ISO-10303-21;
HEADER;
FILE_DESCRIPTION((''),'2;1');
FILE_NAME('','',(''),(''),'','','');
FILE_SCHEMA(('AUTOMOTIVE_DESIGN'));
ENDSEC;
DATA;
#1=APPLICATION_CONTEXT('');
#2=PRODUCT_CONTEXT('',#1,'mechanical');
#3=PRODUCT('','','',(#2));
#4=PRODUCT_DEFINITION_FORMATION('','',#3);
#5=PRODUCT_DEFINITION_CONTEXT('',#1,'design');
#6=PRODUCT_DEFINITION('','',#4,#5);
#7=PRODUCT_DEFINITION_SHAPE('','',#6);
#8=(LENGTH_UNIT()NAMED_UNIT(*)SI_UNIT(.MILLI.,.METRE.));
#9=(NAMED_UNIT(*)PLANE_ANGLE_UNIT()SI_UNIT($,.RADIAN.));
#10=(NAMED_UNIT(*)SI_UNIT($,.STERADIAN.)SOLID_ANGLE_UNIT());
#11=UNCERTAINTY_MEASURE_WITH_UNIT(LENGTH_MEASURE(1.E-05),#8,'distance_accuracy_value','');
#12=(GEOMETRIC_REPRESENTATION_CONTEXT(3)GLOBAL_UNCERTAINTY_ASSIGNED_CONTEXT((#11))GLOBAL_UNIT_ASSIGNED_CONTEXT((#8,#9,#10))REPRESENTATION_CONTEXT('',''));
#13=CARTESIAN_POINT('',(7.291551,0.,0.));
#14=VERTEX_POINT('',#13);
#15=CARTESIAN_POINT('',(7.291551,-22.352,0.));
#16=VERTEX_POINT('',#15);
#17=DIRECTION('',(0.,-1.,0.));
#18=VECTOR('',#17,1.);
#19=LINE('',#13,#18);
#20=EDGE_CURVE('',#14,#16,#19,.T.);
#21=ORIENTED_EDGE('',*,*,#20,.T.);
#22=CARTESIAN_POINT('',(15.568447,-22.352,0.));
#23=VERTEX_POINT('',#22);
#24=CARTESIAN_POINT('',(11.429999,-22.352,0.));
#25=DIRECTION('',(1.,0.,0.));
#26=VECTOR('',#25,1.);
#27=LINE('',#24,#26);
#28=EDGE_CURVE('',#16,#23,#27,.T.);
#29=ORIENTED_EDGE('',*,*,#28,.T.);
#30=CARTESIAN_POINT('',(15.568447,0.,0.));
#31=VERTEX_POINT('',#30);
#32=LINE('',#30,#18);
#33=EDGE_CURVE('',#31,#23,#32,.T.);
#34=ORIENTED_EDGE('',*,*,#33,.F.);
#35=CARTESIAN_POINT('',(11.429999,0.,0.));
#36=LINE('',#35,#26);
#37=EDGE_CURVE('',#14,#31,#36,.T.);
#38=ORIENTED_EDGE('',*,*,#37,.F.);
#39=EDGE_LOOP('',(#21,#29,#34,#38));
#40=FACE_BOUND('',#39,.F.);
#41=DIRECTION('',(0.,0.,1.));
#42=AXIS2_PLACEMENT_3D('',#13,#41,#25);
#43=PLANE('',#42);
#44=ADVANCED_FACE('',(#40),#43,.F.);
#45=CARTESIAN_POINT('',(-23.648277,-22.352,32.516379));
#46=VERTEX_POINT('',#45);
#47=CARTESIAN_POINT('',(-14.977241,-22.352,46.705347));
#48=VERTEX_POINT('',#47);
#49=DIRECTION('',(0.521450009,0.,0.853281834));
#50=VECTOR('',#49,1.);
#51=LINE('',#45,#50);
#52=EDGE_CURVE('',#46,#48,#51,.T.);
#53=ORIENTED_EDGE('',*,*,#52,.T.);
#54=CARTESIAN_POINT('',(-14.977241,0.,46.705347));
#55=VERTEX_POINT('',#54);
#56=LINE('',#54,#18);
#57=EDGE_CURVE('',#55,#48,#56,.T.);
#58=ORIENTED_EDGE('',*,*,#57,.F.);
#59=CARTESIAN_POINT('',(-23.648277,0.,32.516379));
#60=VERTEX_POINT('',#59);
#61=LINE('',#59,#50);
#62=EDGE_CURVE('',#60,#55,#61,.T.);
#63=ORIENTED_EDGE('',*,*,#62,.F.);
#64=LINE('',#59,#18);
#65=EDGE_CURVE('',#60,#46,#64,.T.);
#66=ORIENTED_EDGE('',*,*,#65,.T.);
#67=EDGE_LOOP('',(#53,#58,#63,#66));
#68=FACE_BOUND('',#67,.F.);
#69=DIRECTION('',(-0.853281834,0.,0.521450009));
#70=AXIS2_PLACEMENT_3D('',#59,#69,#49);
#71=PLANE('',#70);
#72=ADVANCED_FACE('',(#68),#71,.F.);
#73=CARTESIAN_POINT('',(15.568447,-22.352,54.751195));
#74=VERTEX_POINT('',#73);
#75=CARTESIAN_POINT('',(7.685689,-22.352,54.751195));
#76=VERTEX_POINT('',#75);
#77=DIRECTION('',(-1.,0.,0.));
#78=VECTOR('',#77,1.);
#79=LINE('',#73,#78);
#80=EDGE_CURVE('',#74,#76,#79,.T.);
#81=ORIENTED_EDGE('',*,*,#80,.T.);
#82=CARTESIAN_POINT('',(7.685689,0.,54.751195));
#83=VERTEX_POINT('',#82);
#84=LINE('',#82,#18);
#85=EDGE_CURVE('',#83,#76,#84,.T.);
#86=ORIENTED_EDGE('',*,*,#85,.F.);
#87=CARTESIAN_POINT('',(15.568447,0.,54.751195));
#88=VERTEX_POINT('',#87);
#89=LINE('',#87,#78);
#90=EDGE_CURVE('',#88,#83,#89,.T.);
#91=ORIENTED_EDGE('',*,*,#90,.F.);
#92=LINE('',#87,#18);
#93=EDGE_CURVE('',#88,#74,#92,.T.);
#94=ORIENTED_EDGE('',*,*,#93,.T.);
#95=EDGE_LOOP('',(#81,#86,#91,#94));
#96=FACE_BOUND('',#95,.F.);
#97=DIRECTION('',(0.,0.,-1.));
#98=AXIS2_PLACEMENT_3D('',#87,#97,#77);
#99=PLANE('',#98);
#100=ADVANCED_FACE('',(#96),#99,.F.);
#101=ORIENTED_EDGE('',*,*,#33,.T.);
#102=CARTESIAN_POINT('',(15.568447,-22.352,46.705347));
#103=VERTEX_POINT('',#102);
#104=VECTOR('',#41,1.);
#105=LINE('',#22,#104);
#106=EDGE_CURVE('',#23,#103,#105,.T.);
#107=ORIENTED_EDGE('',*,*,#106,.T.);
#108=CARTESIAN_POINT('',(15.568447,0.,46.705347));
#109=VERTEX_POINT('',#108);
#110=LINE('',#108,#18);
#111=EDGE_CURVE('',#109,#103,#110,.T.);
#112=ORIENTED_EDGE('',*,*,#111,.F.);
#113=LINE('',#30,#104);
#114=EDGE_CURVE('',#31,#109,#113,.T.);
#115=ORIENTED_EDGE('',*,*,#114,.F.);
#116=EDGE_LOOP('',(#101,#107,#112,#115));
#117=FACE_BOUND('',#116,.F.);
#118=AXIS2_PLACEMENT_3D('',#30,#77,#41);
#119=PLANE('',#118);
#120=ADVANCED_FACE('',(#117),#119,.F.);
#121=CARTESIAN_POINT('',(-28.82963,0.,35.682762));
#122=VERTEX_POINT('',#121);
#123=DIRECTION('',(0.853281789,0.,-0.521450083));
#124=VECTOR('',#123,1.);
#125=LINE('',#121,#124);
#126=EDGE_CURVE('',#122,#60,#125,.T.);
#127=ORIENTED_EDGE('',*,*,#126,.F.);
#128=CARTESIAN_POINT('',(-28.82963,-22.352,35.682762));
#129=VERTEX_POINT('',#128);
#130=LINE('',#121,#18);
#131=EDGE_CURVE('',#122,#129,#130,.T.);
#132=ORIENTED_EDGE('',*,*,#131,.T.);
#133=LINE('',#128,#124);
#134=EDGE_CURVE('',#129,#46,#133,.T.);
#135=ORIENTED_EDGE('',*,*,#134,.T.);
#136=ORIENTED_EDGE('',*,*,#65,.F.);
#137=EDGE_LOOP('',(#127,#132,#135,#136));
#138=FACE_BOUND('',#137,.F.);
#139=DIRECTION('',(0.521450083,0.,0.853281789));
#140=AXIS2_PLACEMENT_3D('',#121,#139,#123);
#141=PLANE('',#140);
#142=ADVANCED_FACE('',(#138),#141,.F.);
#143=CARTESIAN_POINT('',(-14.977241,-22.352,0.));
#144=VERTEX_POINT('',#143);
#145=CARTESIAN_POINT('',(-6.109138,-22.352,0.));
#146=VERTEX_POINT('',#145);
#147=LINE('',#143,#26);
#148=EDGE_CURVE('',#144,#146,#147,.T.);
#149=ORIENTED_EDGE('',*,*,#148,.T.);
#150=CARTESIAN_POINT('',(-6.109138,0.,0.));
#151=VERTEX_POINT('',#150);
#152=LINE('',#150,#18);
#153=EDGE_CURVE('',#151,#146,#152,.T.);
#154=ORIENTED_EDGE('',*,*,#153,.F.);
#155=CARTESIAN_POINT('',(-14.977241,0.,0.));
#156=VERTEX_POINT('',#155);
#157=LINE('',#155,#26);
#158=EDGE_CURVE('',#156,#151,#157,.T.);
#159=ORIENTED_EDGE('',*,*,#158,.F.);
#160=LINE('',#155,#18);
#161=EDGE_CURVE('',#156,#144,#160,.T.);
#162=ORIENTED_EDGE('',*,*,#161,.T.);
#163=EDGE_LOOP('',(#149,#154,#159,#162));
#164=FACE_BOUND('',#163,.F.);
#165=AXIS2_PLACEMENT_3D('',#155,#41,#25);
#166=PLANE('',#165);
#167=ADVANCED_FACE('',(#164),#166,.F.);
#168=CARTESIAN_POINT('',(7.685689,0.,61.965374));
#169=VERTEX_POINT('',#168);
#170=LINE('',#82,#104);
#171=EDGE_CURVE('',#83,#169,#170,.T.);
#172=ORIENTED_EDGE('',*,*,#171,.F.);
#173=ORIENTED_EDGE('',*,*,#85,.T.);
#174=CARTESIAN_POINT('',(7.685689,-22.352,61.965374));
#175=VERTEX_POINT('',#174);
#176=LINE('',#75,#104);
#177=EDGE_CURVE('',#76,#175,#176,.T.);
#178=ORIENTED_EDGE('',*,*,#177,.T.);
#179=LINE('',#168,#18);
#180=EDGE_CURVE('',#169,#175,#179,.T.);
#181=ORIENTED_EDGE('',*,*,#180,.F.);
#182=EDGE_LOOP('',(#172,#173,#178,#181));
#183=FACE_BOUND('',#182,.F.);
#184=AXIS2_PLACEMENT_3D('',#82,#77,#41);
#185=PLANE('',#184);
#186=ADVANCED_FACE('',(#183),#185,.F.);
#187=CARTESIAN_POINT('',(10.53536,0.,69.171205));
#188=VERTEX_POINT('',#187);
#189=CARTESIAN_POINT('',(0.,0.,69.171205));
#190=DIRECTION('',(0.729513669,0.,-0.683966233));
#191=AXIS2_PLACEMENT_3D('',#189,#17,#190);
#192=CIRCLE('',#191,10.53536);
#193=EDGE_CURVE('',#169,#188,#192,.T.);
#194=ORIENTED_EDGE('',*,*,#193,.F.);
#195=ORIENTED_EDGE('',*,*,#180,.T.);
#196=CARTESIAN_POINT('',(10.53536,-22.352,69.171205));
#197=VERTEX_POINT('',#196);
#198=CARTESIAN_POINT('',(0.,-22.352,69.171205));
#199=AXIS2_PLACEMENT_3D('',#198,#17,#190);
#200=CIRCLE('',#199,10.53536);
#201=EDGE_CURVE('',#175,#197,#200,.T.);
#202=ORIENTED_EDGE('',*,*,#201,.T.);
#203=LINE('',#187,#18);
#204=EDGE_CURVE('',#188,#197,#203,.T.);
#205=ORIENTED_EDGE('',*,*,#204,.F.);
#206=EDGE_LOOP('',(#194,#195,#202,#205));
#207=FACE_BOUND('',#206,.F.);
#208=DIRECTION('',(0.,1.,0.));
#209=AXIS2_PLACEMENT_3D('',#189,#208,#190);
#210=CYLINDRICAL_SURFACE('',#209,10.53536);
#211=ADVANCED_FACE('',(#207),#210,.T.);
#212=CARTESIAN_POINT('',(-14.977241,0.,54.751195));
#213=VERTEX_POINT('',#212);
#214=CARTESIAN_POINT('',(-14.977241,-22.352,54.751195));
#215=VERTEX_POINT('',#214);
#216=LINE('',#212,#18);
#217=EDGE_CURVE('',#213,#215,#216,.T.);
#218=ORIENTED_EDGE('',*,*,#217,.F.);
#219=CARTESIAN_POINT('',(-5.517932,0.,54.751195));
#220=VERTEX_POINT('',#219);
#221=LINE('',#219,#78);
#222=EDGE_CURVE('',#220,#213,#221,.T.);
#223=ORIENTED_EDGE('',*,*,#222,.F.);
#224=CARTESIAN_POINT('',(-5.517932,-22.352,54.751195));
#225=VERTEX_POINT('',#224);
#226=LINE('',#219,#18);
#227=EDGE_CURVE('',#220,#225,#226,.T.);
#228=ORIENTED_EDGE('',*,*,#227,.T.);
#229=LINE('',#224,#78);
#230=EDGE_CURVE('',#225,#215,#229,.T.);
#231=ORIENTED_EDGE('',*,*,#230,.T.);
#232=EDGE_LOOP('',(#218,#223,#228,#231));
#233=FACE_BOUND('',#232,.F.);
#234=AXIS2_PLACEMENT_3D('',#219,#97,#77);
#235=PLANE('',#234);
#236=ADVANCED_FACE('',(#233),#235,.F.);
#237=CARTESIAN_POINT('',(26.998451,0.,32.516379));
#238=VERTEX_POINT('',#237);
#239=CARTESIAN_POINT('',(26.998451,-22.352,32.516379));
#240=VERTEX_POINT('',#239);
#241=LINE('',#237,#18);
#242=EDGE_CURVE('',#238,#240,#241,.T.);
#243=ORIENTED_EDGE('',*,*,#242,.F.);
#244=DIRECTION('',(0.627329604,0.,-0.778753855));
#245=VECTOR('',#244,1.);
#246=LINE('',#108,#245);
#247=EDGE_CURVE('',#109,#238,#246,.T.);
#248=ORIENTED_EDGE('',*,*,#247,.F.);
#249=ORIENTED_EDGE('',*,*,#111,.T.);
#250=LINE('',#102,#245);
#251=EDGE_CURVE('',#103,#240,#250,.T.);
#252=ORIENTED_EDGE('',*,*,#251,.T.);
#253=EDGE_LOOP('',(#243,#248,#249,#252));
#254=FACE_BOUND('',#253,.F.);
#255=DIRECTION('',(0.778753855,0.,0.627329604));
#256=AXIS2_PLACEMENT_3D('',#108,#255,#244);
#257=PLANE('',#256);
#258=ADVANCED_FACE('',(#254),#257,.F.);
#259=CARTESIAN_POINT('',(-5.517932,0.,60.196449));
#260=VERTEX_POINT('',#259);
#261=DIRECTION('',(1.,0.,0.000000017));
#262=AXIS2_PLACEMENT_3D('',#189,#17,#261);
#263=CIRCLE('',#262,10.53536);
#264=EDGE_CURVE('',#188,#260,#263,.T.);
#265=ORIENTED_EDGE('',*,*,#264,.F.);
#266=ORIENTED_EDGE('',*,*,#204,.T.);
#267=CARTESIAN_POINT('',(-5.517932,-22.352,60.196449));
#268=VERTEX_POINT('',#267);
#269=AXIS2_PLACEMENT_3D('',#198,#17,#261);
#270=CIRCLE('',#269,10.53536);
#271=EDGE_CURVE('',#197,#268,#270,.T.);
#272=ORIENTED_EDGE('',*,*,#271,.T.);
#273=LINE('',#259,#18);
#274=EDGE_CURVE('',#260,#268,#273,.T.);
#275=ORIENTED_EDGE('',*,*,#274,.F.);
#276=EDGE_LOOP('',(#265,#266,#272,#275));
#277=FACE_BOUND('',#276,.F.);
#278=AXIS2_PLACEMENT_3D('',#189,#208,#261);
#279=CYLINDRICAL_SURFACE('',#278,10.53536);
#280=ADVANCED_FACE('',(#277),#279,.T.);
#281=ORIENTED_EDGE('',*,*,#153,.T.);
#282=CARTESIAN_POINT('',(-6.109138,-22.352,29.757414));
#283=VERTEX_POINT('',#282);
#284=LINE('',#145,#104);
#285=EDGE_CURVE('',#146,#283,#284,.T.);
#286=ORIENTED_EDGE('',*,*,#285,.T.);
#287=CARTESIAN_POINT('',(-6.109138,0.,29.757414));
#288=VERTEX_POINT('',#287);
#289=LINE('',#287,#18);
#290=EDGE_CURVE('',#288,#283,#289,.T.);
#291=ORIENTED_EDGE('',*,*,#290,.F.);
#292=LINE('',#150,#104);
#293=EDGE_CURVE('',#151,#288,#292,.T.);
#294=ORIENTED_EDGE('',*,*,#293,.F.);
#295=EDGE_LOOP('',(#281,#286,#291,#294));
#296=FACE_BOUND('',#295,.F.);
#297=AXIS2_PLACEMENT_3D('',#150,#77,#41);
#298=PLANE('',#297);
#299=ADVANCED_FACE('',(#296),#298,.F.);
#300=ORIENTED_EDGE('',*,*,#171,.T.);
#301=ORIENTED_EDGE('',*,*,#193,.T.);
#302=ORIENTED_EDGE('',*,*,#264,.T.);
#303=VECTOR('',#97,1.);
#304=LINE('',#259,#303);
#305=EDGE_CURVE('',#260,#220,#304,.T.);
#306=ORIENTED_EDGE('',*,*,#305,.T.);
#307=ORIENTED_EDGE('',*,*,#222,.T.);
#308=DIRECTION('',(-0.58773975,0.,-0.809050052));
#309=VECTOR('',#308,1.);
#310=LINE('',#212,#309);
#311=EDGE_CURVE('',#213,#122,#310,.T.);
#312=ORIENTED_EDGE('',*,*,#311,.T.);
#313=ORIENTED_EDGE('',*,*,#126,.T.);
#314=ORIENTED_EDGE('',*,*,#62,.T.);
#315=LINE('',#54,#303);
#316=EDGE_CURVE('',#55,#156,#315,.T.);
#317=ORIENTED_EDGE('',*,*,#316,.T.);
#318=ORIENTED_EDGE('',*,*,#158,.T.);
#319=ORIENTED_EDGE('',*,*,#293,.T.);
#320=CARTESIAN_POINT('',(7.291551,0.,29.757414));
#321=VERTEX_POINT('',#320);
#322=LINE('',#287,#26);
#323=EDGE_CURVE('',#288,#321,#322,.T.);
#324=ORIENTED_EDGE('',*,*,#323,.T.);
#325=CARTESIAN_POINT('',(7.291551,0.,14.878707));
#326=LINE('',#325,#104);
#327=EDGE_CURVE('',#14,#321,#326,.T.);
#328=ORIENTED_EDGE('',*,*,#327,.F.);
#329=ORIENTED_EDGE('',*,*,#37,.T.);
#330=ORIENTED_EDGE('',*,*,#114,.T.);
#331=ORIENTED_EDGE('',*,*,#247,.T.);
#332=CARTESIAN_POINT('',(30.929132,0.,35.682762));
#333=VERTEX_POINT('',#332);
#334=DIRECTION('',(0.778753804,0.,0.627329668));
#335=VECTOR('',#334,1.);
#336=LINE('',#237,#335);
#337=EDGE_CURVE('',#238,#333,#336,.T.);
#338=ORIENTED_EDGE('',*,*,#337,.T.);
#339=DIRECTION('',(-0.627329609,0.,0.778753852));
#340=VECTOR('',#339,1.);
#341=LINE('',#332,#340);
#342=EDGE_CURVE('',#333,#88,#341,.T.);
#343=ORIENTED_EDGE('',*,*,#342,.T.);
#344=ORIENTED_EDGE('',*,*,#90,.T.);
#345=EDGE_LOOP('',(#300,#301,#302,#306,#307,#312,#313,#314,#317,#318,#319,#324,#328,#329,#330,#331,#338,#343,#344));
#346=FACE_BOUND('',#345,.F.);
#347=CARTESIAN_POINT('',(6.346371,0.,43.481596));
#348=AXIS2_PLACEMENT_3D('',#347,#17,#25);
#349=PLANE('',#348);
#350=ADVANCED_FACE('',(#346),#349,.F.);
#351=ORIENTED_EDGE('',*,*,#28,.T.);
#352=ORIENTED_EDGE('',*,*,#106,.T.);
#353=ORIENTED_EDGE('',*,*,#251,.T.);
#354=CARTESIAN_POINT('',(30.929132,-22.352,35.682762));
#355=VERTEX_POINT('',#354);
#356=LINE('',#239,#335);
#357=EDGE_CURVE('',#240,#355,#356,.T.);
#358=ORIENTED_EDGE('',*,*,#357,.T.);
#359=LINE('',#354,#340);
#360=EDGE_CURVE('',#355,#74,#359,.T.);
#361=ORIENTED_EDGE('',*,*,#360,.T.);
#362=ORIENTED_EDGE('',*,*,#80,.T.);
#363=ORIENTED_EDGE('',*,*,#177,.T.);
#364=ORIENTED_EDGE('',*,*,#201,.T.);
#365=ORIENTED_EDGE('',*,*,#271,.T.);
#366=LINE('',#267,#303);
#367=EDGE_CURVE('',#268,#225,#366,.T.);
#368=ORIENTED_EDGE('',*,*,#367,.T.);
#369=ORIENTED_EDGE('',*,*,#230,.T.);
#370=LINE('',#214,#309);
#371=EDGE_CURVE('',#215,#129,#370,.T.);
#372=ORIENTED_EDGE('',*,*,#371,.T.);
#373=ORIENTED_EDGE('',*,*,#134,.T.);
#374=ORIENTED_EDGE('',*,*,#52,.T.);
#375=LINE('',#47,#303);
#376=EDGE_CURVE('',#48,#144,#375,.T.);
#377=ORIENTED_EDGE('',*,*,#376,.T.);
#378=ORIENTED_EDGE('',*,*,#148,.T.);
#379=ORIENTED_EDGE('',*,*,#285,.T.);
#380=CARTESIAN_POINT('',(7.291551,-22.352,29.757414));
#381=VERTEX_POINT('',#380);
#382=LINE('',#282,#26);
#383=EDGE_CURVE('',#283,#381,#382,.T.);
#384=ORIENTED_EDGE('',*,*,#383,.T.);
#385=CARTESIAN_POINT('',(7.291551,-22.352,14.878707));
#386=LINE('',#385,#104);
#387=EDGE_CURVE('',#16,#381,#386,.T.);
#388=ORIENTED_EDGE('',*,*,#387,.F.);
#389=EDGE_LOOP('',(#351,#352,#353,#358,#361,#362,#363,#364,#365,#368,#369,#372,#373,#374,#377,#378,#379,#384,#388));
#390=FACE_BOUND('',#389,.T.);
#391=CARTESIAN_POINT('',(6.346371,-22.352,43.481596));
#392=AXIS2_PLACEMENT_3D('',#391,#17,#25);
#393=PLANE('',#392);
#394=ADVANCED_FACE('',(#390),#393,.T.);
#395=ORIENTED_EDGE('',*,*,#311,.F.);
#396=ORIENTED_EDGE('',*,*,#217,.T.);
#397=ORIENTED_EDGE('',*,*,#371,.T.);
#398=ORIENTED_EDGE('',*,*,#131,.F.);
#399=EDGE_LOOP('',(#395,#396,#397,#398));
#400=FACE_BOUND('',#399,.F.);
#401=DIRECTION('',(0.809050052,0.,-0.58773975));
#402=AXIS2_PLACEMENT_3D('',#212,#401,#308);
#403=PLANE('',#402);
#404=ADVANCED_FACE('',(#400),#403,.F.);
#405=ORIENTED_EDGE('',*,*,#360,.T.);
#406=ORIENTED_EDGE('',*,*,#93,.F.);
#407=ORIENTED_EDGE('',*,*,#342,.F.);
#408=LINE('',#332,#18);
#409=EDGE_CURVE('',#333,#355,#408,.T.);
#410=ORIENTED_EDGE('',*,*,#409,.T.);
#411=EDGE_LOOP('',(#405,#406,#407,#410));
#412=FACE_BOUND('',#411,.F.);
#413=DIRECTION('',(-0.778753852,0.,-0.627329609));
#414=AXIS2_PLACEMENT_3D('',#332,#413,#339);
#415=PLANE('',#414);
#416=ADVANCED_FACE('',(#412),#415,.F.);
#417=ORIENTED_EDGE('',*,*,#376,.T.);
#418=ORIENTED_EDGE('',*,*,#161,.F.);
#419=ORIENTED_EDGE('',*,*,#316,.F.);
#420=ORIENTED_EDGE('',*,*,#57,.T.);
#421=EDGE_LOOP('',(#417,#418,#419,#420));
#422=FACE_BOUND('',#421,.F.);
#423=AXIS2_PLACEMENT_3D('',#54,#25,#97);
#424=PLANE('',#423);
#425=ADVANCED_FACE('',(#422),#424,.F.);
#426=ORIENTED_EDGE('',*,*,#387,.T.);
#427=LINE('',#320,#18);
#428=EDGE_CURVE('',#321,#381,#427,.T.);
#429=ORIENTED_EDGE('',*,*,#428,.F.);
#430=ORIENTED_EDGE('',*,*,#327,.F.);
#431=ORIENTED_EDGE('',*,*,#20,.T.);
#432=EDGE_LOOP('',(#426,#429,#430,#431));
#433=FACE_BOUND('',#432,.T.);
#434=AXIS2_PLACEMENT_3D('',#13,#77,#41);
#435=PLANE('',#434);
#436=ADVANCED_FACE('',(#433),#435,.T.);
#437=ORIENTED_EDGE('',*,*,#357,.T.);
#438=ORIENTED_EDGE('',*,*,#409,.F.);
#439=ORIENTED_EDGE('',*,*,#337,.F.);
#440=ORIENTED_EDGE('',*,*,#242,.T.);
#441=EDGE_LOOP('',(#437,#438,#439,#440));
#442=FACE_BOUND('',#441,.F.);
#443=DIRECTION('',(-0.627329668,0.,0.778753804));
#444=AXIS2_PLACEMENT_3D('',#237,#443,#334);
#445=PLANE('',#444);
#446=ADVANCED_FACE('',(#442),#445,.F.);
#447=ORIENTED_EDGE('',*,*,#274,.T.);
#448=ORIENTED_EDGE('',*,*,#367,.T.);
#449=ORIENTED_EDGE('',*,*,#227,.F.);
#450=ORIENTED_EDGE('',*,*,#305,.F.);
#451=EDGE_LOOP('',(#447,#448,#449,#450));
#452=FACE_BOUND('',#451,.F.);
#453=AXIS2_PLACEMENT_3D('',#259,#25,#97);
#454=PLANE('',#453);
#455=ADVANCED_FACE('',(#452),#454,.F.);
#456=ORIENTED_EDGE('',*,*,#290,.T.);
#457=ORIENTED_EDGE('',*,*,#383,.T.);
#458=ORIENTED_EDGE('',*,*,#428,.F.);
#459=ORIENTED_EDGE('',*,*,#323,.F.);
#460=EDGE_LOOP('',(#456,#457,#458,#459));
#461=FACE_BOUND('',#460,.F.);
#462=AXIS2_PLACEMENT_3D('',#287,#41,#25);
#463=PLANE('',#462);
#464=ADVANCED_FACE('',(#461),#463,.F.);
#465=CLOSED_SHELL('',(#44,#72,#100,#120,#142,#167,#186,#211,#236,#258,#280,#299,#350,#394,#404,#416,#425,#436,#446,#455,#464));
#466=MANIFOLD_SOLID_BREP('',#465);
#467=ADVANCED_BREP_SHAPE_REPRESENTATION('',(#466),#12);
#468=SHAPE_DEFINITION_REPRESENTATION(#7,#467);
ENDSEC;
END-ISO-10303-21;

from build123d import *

# Parameters (mm, degrees)
F0_W     = 8.276896
F0_H     = 29.757414
F1_DEPTH = 22.352


with BuildPart() as f1:
    # F0 (on Front) → F1 (new body)
    with BuildSketch(Plane.XZ):
        with BuildLine():
            Line((-14.977241, 46.705347), (-14.977241, 29.954482))
            Line((-14.977241, 29.954482), (-6.109138, 29.757414))
            Line((-6.109138, 29.757414), (7.291551, 29.757414))
            Line((7.291551, 29.757414), (15.568447, 29.757414))
            Line((15.568447, 29.757414), (15.568447, 46.705347))
            Line((15.568447, 46.705347), (26.998451, 32.516379))
            Line((26.998451, 32.516379), (30.929132, 35.682762))
            Line((30.929132, 35.682762), (15.568447, 54.751195))
            Line((15.568447, 54.751195), (7.685689, 54.751195))
            Line((7.685689, 54.751195), (7.685689, 60.303107))
            Line((7.685689, 60.303107), (7.685689, 61.965374))
            ThreePointArc((7.685689, 61.965374), (1.398952, 58.729139), (-5.517932, 60.196449))
            Line((-5.517932, 60.196449), (-5.517932, 54.751195))
            Line((-5.517932, 54.751195), (-14.977241, 54.751195))
            Line((-14.977241, 54.751195), (-14.977241, 46.705347))
        make_face()
        with BuildLine():
            ThreePointArc((10.53536, 69.171205), (-5.141032, 78.367052), (-5.517932, 60.196449))
            ThreePointArc((-5.517932, 60.196449), (1.398952, 58.729139), (7.685689, 61.965374))
            ThreePointArc((7.685689, 61.965374), (9.797074, 65.296782), (10.53536, 69.171205))
        make_face()
        Polygon((-23.648277, 32.516379), (-14.977241, 46.705347), (-14.977241, 54.751195), (-28.82963, 35.682762), align=None)
        Polygon((-14.977241, 29.954482), (-14.977241, 0), (-6.109138, 0), (-6.109138, 29.757414), align=None)
        with Locations((11.429999, 14.878707)):
            Rectangle(F0_W, F0_H)
    extrude(amount=F1_DEPTH)


solid = f1.part
